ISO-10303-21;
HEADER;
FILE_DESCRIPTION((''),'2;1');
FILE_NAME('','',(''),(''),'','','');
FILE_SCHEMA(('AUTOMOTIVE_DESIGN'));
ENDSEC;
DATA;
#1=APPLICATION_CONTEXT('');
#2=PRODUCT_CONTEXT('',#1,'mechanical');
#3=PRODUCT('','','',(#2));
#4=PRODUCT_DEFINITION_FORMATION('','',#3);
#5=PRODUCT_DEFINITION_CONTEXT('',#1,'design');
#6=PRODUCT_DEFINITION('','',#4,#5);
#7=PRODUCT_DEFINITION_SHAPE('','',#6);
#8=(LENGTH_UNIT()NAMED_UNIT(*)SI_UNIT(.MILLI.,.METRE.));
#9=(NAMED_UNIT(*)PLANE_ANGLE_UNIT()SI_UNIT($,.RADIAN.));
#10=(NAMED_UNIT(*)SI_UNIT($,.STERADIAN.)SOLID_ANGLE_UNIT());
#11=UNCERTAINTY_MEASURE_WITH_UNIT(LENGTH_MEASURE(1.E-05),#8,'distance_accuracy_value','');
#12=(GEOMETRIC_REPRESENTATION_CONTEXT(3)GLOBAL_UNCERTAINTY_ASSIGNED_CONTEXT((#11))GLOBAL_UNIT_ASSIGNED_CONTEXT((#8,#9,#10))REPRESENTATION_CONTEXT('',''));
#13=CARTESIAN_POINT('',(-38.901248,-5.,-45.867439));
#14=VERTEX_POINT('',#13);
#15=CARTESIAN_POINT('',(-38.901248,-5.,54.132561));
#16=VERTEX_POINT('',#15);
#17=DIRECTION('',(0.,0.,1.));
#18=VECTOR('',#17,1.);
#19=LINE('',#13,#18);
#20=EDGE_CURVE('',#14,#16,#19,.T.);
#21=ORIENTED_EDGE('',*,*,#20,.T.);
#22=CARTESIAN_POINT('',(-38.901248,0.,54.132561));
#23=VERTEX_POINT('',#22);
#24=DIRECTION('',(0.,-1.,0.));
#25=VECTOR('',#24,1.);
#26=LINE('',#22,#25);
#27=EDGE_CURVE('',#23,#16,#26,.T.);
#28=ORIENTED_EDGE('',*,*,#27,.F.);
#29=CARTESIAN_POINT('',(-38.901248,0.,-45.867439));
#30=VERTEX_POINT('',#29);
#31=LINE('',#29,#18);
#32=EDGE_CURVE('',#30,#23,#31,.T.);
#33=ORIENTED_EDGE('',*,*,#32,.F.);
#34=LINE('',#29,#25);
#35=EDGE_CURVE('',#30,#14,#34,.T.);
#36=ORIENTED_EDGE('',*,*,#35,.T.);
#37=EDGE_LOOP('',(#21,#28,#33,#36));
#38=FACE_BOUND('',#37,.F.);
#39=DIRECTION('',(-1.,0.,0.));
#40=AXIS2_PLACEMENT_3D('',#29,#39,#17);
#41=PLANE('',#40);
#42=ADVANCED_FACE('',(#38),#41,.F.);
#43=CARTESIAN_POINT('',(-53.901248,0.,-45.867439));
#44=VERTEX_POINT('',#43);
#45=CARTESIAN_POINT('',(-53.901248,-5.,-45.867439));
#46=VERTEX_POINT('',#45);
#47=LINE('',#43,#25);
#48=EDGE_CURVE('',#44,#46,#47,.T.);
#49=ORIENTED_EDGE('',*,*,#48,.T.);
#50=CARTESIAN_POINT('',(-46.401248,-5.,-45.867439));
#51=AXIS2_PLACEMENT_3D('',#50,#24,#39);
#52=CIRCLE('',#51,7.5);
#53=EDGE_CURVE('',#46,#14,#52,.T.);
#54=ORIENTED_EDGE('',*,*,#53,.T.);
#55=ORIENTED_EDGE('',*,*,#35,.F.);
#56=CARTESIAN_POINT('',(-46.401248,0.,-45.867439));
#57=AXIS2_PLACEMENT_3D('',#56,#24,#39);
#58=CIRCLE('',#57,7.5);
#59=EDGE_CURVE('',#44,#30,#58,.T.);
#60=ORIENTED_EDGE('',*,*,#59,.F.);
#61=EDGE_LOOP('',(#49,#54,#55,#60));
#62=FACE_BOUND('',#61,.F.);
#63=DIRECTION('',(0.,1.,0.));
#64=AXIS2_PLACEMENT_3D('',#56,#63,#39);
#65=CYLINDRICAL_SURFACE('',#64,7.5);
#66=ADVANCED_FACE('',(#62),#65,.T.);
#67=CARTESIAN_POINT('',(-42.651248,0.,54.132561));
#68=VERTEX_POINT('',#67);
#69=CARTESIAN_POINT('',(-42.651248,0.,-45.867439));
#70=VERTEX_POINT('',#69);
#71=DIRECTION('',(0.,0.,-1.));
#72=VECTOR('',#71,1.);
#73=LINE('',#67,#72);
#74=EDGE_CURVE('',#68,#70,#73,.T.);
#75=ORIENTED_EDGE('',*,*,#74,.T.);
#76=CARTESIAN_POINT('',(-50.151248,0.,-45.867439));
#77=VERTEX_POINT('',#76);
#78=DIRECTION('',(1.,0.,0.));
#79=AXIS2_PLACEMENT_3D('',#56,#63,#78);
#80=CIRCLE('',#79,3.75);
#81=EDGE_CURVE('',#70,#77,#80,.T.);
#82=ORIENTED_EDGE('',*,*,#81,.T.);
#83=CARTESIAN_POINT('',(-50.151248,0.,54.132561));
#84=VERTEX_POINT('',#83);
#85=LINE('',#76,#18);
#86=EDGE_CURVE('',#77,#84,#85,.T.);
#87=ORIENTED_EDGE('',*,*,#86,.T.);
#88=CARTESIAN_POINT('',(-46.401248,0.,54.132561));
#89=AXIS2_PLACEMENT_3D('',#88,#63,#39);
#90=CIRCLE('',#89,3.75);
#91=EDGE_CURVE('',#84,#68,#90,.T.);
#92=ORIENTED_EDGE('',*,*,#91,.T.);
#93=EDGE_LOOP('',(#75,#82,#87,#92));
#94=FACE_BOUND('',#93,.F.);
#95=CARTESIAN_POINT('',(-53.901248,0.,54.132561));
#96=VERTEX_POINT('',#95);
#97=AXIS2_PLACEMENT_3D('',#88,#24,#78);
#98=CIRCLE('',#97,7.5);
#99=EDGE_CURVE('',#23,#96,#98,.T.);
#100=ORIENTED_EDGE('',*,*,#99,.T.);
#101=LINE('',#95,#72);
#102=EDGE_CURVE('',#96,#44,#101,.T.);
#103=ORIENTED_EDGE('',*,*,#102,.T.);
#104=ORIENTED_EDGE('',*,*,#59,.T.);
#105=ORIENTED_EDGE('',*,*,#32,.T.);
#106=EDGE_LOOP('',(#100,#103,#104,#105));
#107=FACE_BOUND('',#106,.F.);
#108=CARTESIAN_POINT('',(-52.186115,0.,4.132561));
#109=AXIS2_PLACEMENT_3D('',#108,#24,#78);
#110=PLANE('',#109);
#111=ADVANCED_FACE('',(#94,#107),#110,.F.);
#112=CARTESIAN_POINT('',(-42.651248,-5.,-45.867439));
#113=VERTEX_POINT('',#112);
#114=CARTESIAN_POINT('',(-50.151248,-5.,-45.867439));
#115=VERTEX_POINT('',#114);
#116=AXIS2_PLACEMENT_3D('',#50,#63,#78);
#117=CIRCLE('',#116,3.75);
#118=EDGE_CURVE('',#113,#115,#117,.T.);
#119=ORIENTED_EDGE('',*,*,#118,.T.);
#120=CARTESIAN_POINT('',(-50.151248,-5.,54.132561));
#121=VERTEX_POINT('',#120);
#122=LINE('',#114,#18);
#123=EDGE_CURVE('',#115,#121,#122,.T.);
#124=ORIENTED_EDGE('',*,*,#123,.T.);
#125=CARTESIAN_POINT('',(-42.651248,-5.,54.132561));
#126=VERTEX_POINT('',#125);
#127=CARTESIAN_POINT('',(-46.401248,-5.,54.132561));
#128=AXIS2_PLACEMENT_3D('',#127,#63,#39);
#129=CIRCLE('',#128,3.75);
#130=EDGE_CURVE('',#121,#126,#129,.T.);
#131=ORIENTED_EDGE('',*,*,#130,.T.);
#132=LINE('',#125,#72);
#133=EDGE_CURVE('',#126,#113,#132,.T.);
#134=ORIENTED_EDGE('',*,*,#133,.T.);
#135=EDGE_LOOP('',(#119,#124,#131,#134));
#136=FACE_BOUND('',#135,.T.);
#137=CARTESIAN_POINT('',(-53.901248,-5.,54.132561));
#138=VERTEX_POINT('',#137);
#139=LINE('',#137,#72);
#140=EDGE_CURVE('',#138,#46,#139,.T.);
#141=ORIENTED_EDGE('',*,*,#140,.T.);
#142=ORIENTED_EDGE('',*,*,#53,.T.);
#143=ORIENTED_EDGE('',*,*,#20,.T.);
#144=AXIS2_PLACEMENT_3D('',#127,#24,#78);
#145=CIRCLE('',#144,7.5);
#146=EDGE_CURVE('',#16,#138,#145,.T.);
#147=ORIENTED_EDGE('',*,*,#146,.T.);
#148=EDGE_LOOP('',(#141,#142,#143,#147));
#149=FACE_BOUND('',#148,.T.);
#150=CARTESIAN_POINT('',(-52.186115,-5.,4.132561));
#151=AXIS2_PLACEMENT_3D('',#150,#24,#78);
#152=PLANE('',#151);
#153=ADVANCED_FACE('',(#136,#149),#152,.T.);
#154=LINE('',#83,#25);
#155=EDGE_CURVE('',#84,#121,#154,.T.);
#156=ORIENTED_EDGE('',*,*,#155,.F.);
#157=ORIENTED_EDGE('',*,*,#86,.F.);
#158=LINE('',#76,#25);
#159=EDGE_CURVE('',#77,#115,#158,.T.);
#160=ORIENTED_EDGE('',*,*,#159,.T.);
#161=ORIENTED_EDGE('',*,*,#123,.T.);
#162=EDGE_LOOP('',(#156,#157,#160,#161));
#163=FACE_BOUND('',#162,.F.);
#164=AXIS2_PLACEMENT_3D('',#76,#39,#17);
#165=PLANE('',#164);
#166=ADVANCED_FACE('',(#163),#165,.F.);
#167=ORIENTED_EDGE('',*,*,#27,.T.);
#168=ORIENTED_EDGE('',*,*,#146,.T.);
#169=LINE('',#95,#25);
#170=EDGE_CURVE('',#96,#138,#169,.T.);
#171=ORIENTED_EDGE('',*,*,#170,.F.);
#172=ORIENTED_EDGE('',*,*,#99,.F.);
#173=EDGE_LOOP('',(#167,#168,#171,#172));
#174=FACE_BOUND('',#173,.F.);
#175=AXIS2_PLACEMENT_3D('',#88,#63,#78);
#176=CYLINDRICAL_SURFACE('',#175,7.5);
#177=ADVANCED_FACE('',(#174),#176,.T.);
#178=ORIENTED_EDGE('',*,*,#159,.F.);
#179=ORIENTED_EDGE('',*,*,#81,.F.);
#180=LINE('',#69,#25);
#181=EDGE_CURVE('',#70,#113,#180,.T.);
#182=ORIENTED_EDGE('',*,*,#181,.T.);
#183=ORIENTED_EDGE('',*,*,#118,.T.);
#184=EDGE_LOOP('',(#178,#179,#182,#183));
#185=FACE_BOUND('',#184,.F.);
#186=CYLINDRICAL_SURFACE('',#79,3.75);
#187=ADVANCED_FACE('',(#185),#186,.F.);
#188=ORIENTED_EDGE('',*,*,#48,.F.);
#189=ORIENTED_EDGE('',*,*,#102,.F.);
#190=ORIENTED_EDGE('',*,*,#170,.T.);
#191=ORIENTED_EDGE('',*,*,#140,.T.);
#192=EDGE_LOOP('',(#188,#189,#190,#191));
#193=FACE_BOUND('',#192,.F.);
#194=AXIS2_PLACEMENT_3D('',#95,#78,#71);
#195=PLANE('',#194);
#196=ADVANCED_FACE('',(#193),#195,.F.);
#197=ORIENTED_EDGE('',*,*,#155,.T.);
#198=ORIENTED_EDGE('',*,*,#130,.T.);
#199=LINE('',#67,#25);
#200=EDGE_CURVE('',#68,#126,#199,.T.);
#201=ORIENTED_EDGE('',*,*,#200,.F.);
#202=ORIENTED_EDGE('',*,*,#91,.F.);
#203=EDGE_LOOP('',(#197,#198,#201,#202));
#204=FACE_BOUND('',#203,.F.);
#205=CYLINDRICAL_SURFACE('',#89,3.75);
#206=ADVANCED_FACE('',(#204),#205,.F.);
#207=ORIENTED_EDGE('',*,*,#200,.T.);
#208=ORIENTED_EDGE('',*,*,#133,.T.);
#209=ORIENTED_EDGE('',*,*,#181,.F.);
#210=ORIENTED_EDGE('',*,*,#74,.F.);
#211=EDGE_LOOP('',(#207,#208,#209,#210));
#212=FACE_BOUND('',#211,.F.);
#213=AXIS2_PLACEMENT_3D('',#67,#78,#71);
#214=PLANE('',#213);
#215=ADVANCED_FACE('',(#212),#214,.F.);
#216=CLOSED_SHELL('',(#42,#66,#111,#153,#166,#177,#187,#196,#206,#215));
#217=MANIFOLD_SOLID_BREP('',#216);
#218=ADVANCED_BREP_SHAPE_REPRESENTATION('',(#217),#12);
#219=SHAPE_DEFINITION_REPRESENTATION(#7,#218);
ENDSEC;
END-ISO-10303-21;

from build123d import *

# Parameters (mm, degrees)
F1_DEPTH = 5


with BuildPart() as f1:
    # F0 (on Front) → F1 (new body)
    with BuildSketch(Plane.XZ):
        with BuildLine():
            ThreePointArc((-50.1512476802, 47.6373701122), (-52.8964382086, 50.3825606406), (-53.9012476802, 54.1325606406))
            Line((-53.9012476802, 54.1325606406), (-53.9012476802, -45.8674393594))
            ThreePointArc((-53.9012476802, -45.8674393594), (-52.8964382086, -42.1174393594), (-50.1512476802, -39.372248831))
            Line((-50.1512476802, -39.372248831), (-50.1512476802, 47.6373701122))
        make_face()
        with BuildLine():
            Line((-50.1512476802, 54.1325606406), (-53.9012476802, 54.1325606406))
            ThreePointArc((-53.9012476802, 54.1325606406), (-52.8964382086, 50.3825606406), (-50.1512476802, 47.6373701122))
            Line((-50.1512476802, 47.6373701122), (-50.1512476802, 54.1325606406))
        make_face()
        with BuildLine():
            ThreePointArc((-38.9012476802, 54.1325606406), (-46.4012476802, 61.6325606406), (-53.9012476802, 54.1325606406))
            Line((-53.9012476802, 54.1325606406), (-50.1512476802, 54.1325606406))
            ThreePointArc((-50.1512476802, 54.1325606406), (-46.4012476802, 57.8825606406), (-42.6512476802, 54.1325606406))
            Line((-42.6512476802, 54.1325606406), (-38.9012476802, 54.1325606406))
        make_face()
        with BuildLine():
            ThreePointArc((-42.6512476802, 47.6373701122), (-39.9060571518, 50.3825606406), (-38.9012476802, 54.1325606406))
            Line((-38.9012476802, 54.1325606406), (-42.6512476802, 54.1325606406))
            Line((-42.6512476802, 54.1325606406), (-42.6512476802, 47.6373701122))
        make_face()
        with BuildLine():
            Line((-38.9012476802, -45.8674393594), (-38.9012476802, 54.1325606406))
            ThreePointArc((-38.9012476802, 54.1325606406), (-39.9060571518, 50.3825606406), (-42.6512476802, 47.6373701122))
            Line((-42.6512476802, 47.6373701122), (-42.6512476802, -39.372248831))
            ThreePointArc((-42.6512476802, -39.372248831), (-39.9060571518, -42.1174393594), (-38.9012476802, -45.8674393594))
        make_face()
        with BuildLine():
            Line((-42.6512476802, -45.8674393594), (-38.9012476802, -45.8674393594))
            ThreePointArc((-38.9012476802, -45.8674393594), (-39.9060571518, -42.1174393594), (-42.6512476802, -39.372248831))
            Line((-42.6512476802, -39.372248831), (-42.6512476802, -45.8674393594))
        make_face()
        with BuildLine():
            Line((-50.1512476802, -45.8674393594), (-53.9012476802, -45.8674393594))
            ThreePointArc((-53.9012476802, -45.8674393594), (-46.4012476802, -53.3674393594), (-38.9012476802, -45.8674393594))
            Line((-38.9012476802, -45.8674393594), (-42.6512476802, -45.8674393594))
            ThreePointArc((-42.6512476802, -45.8674393594), (-46.4012476802, -49.6174393594), (-50.1512476802, -45.8674393594))
        make_face()
        with BuildLine():
            ThreePointArc((-50.1512476802, -39.372248831), (-52.8964382086, -42.1174393594), (-53.9012476802, -45.8674393594))
            Line((-53.9012476802, -45.8674393594), (-50.1512476802, -45.8674393594))
            Line((-50.1512476802, -45.8674393594), (-50.1512476802, -39.372248831))
        make_face()
    extrude(amount=F1_DEPTH)


solid = f1.part
